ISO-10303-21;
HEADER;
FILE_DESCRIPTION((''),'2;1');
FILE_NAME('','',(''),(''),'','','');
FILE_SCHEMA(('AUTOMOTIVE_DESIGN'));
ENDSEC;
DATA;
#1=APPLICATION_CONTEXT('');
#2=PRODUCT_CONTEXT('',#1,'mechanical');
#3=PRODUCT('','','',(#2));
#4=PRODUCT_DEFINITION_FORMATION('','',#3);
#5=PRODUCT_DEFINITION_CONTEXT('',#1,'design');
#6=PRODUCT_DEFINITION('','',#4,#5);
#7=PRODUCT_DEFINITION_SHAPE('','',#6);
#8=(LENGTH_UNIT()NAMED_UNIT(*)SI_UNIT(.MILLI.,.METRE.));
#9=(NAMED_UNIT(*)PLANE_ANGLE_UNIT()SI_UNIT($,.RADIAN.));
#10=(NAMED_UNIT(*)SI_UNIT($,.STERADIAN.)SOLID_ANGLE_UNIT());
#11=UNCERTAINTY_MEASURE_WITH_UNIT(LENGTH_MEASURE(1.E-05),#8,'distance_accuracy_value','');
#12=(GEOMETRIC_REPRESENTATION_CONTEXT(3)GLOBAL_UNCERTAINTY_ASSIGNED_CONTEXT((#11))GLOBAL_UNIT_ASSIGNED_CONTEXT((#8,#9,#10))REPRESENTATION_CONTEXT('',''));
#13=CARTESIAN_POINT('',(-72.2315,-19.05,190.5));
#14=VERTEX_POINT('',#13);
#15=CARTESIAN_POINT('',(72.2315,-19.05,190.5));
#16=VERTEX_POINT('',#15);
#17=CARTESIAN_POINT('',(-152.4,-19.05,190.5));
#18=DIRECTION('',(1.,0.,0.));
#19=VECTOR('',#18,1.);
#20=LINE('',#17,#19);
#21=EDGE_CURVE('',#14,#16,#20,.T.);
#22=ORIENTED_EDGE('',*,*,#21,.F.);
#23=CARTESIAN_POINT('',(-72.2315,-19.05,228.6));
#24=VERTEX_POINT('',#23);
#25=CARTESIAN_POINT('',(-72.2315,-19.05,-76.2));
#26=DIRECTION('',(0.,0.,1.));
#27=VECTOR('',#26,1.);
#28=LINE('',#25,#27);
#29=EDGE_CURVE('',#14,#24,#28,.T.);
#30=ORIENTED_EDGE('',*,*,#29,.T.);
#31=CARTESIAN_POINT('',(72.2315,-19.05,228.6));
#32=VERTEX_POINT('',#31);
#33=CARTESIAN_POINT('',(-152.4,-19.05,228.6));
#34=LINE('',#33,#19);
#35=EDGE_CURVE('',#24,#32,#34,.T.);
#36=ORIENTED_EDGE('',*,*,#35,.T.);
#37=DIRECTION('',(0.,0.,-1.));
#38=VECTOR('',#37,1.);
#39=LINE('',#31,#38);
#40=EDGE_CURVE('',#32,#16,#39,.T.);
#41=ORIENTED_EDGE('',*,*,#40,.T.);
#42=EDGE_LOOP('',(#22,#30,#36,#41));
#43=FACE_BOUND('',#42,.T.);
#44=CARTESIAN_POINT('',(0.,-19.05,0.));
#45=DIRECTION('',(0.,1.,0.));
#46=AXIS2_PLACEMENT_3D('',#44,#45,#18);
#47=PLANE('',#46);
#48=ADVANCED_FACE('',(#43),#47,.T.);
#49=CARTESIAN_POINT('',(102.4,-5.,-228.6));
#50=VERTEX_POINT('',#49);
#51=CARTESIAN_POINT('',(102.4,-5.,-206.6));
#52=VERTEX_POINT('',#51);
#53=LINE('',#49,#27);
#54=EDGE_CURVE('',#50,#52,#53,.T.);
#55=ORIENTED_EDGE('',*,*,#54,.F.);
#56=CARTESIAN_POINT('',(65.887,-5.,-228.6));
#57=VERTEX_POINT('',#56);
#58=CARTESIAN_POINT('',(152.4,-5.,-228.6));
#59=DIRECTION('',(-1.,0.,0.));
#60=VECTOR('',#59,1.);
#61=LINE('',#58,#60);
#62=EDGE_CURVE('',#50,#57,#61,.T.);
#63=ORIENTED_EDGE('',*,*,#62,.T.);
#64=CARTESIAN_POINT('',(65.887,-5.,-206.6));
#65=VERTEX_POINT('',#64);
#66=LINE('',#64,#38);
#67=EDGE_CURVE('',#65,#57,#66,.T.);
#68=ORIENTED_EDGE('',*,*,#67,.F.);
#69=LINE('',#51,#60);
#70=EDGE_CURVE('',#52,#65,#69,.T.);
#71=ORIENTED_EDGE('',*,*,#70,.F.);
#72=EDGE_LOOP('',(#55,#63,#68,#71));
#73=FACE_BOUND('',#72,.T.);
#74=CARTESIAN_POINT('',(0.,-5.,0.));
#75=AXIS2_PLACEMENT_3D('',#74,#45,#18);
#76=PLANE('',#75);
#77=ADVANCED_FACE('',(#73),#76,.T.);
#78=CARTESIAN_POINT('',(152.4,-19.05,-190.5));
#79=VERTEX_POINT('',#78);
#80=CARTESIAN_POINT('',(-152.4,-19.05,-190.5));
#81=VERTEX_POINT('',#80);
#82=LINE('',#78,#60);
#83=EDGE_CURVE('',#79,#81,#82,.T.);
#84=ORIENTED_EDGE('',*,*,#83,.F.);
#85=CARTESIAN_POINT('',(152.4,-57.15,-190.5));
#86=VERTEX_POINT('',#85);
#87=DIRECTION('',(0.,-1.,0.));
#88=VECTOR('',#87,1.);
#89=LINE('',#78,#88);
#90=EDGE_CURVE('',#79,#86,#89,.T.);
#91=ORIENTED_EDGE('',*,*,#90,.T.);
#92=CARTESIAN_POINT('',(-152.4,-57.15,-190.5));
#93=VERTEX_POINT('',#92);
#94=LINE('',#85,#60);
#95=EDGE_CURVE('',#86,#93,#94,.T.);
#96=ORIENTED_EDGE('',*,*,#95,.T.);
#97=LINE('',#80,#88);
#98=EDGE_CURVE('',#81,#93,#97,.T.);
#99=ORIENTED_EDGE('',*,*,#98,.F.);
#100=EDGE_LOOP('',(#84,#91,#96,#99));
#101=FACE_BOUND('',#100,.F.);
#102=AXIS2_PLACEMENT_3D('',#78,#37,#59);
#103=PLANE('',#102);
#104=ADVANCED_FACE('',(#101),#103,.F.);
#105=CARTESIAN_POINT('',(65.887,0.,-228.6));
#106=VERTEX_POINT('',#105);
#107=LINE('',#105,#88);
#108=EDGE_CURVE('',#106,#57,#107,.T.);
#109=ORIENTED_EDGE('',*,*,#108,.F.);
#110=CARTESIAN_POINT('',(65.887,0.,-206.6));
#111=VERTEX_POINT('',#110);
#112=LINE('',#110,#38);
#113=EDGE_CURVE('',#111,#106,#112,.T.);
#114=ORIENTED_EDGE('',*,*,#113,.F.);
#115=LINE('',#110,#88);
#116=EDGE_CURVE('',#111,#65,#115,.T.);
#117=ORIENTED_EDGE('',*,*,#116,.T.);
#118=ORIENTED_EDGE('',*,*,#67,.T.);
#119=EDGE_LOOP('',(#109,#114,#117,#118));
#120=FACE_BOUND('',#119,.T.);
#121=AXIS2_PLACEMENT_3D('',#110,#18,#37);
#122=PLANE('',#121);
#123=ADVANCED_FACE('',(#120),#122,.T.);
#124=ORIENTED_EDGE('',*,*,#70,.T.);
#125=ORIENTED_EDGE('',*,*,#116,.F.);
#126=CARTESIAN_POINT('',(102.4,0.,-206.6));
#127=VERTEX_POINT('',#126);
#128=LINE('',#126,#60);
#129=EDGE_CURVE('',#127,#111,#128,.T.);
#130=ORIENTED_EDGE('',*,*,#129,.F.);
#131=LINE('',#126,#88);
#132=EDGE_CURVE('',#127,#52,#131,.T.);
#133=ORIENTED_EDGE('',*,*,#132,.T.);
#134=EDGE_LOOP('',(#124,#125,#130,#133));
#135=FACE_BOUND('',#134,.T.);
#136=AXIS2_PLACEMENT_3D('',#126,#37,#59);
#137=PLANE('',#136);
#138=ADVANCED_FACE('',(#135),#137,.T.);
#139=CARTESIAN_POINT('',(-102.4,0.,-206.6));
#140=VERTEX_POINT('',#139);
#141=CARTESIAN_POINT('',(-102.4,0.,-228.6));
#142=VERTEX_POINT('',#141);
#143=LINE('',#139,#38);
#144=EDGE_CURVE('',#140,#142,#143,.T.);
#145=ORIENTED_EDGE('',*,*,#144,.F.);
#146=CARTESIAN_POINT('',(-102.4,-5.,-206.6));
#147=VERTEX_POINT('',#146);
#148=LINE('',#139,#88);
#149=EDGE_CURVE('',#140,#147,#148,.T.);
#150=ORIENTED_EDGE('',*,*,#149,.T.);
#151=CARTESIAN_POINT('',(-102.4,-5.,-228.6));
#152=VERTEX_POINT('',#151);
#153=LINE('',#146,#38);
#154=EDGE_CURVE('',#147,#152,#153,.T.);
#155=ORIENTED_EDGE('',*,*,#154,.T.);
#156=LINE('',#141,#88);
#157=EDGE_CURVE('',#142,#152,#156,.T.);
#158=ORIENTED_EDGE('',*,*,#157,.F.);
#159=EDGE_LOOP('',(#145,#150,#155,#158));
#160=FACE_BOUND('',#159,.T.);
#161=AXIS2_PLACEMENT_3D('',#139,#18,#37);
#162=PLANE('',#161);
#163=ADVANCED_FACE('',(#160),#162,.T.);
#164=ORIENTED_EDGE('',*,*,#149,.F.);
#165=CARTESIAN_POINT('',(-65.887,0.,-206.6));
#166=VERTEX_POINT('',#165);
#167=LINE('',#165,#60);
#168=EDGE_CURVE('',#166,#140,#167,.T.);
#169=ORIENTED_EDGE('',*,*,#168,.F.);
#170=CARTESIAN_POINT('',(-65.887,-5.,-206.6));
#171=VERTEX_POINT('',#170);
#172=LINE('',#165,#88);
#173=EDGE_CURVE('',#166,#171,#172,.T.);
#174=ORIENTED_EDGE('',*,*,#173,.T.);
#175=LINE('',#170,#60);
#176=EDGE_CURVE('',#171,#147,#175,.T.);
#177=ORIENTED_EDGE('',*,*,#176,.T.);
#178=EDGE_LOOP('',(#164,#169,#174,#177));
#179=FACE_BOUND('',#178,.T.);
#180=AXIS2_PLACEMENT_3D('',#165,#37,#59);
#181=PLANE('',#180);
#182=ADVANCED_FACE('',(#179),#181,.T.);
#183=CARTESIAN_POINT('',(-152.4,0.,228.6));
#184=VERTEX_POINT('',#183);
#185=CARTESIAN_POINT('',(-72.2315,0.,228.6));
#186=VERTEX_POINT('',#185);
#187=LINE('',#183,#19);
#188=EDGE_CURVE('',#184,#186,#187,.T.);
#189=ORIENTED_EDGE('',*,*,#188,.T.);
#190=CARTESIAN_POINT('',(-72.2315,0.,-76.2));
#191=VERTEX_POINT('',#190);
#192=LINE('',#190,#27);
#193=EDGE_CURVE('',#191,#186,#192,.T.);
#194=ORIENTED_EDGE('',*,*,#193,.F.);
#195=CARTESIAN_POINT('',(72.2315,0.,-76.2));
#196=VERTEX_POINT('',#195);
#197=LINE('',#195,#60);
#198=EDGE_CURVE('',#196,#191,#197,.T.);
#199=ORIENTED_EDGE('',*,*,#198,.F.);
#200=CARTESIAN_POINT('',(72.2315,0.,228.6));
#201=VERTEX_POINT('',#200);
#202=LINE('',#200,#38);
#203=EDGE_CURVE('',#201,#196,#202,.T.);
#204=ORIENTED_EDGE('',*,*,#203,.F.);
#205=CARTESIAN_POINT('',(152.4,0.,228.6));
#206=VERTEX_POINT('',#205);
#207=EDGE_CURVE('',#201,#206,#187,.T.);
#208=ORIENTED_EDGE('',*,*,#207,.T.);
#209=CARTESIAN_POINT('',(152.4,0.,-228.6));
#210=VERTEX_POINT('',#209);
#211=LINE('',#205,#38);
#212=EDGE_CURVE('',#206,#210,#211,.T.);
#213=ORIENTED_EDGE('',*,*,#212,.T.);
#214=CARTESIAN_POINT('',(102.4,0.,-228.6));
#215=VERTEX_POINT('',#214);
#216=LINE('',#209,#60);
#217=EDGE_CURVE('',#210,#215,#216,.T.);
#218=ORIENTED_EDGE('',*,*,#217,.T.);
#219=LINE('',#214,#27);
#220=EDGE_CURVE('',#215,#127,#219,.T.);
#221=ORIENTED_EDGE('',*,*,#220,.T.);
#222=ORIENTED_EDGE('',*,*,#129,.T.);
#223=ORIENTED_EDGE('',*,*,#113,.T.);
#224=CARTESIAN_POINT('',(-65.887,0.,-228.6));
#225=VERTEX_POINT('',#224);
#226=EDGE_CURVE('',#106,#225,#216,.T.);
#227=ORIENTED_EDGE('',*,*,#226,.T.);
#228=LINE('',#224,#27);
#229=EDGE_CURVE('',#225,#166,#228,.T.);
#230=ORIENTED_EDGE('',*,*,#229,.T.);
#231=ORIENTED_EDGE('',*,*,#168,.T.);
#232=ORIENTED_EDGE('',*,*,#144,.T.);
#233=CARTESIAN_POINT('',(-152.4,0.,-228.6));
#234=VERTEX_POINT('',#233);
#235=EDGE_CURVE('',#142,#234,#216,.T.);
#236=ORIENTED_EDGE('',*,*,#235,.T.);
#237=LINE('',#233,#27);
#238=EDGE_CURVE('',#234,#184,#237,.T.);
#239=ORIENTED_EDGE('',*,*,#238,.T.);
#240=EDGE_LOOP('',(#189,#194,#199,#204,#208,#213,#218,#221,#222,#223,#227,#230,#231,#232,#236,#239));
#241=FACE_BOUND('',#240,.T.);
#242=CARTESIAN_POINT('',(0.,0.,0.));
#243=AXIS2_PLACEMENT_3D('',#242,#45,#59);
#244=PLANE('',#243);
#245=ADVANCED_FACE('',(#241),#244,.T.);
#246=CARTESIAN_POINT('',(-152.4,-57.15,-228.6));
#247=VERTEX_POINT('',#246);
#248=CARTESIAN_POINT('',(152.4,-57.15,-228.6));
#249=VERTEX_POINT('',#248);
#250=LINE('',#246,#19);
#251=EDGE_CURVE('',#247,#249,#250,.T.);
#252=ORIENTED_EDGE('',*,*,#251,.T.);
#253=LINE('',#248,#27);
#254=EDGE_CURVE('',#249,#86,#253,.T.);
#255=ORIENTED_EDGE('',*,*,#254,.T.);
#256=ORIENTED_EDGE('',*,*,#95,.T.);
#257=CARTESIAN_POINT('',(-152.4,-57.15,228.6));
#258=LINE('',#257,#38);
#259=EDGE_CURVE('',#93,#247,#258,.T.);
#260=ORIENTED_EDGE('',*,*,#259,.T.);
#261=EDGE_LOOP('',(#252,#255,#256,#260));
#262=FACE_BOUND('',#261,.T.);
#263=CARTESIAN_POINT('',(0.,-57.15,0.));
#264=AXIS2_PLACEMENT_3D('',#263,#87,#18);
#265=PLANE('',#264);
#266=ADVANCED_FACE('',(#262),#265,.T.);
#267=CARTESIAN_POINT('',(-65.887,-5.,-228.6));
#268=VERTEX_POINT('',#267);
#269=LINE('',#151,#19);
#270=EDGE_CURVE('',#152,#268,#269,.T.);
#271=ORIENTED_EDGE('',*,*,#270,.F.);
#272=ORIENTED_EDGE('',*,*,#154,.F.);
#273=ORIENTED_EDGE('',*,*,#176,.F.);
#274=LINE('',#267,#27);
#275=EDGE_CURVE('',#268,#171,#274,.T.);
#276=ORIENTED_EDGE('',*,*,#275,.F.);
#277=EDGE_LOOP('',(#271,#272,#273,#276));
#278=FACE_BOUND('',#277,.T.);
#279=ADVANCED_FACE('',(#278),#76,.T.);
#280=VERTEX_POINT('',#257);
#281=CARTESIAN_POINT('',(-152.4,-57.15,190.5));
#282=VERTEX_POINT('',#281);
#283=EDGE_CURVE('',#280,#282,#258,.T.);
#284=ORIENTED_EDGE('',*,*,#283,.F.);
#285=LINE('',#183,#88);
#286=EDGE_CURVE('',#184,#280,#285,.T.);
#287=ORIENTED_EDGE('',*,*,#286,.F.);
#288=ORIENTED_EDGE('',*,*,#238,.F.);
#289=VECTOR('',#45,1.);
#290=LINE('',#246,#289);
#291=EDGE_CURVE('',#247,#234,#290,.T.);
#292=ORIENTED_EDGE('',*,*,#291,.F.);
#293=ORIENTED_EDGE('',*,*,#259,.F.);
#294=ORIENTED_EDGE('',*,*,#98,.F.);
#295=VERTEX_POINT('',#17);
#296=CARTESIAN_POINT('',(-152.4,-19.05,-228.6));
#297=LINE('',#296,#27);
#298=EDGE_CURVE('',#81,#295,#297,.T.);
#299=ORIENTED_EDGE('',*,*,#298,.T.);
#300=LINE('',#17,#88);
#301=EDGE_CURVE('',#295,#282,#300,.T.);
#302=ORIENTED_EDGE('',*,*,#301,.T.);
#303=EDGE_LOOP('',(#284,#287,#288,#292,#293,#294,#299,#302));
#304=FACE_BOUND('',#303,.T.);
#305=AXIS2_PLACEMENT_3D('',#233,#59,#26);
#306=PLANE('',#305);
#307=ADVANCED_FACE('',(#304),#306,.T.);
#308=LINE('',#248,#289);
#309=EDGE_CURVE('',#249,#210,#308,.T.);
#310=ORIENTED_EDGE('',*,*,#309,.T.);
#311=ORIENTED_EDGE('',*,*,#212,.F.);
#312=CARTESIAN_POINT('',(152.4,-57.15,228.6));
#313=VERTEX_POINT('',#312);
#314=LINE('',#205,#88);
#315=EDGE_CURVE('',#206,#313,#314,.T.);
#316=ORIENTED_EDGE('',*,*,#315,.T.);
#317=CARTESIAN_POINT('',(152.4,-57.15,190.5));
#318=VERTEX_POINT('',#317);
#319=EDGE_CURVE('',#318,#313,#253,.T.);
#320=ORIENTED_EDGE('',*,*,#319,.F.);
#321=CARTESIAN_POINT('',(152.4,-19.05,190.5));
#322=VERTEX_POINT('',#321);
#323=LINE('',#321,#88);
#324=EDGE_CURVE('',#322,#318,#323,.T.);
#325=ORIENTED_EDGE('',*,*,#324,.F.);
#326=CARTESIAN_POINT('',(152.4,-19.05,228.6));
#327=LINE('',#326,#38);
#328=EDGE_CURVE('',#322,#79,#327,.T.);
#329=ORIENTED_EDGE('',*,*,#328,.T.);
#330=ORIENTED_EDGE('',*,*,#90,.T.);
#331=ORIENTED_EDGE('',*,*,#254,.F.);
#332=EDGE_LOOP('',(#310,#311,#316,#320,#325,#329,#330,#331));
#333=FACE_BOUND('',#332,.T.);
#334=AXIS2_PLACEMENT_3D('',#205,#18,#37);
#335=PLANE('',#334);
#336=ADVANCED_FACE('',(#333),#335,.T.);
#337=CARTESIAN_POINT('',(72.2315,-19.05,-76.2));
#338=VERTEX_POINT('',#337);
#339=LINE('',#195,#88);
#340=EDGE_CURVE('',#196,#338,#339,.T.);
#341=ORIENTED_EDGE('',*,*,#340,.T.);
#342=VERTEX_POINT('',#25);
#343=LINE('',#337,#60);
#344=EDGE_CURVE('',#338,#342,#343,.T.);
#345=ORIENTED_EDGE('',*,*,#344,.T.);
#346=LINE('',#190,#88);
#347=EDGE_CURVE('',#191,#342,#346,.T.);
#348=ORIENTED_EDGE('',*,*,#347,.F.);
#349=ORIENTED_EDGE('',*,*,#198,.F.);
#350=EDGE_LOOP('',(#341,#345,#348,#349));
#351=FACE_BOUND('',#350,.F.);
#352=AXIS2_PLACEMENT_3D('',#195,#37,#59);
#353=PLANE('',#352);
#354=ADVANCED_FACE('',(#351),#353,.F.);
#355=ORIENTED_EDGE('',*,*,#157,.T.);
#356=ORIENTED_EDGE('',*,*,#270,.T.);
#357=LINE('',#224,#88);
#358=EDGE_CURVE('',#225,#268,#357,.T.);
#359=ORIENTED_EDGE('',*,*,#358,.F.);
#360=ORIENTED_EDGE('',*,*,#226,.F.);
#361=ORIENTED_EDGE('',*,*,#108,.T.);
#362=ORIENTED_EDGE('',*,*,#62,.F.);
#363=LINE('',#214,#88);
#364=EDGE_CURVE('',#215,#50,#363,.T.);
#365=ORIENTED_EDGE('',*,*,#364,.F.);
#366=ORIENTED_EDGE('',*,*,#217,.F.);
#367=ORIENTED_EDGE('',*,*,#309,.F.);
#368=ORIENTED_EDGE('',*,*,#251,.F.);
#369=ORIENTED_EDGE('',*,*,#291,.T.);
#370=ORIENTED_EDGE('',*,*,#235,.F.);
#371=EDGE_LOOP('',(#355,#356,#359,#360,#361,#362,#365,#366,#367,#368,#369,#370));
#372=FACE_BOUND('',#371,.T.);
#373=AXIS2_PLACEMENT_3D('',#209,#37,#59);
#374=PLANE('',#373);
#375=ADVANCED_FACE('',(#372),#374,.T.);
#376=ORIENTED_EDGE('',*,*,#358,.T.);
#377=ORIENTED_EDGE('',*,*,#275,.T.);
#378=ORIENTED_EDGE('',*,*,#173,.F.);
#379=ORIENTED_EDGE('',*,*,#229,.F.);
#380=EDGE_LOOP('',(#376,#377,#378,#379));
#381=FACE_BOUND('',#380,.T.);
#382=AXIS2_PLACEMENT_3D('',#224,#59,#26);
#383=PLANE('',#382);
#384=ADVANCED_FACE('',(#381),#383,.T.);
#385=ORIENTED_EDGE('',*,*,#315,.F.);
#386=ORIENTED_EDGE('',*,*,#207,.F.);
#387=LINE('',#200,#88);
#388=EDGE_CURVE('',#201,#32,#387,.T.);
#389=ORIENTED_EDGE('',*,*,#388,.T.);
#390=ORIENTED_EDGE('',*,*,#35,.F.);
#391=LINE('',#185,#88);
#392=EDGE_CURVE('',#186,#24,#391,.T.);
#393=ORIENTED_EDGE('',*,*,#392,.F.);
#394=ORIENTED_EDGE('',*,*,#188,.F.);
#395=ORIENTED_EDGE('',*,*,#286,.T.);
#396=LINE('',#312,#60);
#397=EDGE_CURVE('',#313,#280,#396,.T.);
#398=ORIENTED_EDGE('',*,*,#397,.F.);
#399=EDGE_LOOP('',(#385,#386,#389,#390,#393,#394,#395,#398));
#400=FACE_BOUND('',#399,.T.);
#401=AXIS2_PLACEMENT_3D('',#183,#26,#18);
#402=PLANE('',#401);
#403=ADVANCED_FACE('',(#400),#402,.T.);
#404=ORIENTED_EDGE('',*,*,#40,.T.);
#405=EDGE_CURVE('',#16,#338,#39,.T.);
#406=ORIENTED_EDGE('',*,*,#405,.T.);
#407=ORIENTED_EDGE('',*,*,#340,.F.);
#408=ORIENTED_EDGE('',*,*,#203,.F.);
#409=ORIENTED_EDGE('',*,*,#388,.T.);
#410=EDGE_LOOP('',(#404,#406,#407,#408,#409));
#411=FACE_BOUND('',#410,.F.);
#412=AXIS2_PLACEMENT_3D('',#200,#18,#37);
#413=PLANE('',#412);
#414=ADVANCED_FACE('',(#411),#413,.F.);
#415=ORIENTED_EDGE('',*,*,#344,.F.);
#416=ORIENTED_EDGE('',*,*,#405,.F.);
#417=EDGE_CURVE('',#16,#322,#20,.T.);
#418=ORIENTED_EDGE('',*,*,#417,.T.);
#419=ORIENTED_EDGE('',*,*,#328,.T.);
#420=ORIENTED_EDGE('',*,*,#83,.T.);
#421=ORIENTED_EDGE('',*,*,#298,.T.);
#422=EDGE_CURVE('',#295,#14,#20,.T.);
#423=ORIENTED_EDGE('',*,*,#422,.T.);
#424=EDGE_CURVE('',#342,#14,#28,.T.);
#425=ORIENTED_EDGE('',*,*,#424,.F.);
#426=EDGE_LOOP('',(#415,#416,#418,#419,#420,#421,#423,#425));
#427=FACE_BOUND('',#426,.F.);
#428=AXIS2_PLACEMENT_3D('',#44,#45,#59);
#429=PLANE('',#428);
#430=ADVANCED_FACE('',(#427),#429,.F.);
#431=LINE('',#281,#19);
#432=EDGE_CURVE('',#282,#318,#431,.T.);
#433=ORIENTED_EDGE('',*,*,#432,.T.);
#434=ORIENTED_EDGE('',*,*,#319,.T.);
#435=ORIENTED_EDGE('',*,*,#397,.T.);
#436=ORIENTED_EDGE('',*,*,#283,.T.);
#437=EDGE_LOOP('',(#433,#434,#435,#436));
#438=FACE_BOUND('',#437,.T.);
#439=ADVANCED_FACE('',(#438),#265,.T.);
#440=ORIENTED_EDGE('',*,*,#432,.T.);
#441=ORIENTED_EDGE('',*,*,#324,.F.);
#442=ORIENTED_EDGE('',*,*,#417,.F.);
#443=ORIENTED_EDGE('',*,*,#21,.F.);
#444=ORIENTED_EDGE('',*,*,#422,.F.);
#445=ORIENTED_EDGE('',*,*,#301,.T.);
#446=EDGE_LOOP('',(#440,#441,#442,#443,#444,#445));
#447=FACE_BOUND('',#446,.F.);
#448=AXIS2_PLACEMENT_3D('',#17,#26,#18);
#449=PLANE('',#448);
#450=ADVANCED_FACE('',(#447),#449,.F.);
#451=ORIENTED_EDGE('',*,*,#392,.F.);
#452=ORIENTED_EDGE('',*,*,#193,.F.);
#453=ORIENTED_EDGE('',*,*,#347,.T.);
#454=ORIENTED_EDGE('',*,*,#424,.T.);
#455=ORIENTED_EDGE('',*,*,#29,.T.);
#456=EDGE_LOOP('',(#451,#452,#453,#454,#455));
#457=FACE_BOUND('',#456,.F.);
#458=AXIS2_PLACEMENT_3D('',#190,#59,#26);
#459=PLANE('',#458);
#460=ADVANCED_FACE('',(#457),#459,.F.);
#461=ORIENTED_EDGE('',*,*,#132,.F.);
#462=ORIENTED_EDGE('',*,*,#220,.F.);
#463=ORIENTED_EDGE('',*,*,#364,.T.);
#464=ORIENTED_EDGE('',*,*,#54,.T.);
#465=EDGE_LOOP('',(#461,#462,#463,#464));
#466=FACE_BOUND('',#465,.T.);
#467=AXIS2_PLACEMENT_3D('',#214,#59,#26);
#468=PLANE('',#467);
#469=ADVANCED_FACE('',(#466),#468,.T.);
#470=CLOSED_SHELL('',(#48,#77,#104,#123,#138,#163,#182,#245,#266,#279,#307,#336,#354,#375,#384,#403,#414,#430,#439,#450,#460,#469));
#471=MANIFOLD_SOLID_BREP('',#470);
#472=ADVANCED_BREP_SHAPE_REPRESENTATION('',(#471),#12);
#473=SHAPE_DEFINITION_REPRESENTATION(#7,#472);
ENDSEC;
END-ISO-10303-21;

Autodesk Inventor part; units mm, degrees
ref_plane "YZ Plane" through (0, 0, 0) normal (1, 0, 0) x (0, 1, 0)
ref_plane "XZ Plane" through (0, 0, 0) normal (0, 1, 0) x (-1, 0, 0)
ref_plane "XY Plane" through (0, 0, 0) normal (0, 0, 1) x (1, 0, 0)
sketch "Sketch1" plane through (0, 0, 0) normal (0, 1, 0) x (-1, 0, 0)
  line L0 (-152.4, -228.6) -> (152.4, -228.6)
  line L1 (152.4, -228.6) -> (152.4, 228.6)
  line L2 (152.4, 228.6) -> (-152.4, 228.6)
  line L3 (-152.4, 228.6) -> (-152.4, -228.6)
  line L4 (-152.4, -228.6) -> (152.4, 228.6) construction
  line L5 (152.4, -228.6) -> (-152.4, 228.6) construction
  point P0 (0, 0)
  dimension "d0" = 457.2
  dimension "d1" = 304.8
extrude "Extrusion1" add sketch "Sketch1" against normal blind 19.05
sketch "Sketch3" plane through (0, -19.05, 0) normal (0, -1, 0) x (1, 0, 0)
  line L0 (152.4, -228.6) -> (152.4, 228.6) projected
  line L1 (-152.4, 228.6) -> (-152.4, -228.6) projected
  line L2 (152.4, 228.6) -> (-152.4, 228.6)
  line L3 (-152.4, 228.6) -> (-152.4, 190.5)
  line L4 (-152.4, 190.5) -> (152.4, 190.5)
  line L5 (152.4, 190.5) -> (152.4, 228.6)
  line L6 (-152.4, -228.6) -> (152.4, -228.6) projected
  line L7 (152.4, -190.5) -> (-152.4, -190.5)
  line L8 (-152.4, -190.5) -> (-152.4, -228.6)
  line L9 (-152.4, -228.6) -> (152.4, -228.6)
  line L10 (152.4, -228.6) -> (152.4, -190.5)
  point P0 (0, 0)
  dimension "d4" = 38.1
  dimension "d5" = 38.1
extrude "Extrusion2" add sketch "Sketch3" along normal blind 38.1 contours L6 L1 L7 L0 | L4 L1 L2 L0
sketch "Sketch4" plane through (0, 0, 0) normal (0, 1, 0) x (1, 0, 0)
  line L0 (-152.4, -228.6) -> (152.4, -228.6) projected
  line L1 (-72.2315, -228.6) -> (72.2315, -228.6)
  line L2 (72.2315, -228.6) -> (72.2315, 76.2)
  line L3 (72.2315, 76.2) -> (-72.2315, 76.2)
  line L4 (-72.2315, 76.2) -> (-72.2315, -228.6)
  line L5 (-152.4, 228.6) -> (-152.4, -228.6) projected
  point P0 (0, 0)
  dimension "d8" = 144.463
  dimension "d9" = 304.8
  dimension "d10" = 80.1685
extrude "Extrusion3" cut sketch "Sketch4" against normal blind 19.05
sketch "Sketch5" plane through (0, 0, 0) normal (0, 1, 0) x (1, 0, 0)
  line L0 (-102.4, 228.6) -> (-65.887, 228.6)
  line L1 (-65.887, 228.6) -> (-65.887, 206.6)
  line L2 (-65.887, 206.6) -> (-102.4, 206.6)
  line L3 (-102.4, 206.6) -> (-102.4, 228.6)
  line L4 (152.4, 228.6) -> (-152.4, 228.6) projected
  line L5 (65.887, 228.6) -> (102.4, 228.6)
  line L6 (102.4, 228.6) -> (102.4, 206.6)
  line L7 (102.4, 206.6) -> (65.887, 206.6)
  line L8 (65.887, 206.6) -> (65.887, 228.6)
  line L9 (-152.4, 228.6) -> (-152.4, -228.6) projected
  line L10 (152.4, -228.6) -> (152.4, 228.6) projected
  point P0 (0, 0)
  point P1 (-65.887, 217.6)
  point P2 (84.1435, 228.6)
  dimension "d13" = 0
  dimension "d14" = 36.513
  dimension "d15" = 22
  dimension "d16" = 36.513
  dimension "d17" = 22
  dimension "d18" = 50
  dimension "d19" = 50
extrude "Extrusion4" cut sketch "Sketch5" against normal blind 5
properties material "Wood (Maple)"
